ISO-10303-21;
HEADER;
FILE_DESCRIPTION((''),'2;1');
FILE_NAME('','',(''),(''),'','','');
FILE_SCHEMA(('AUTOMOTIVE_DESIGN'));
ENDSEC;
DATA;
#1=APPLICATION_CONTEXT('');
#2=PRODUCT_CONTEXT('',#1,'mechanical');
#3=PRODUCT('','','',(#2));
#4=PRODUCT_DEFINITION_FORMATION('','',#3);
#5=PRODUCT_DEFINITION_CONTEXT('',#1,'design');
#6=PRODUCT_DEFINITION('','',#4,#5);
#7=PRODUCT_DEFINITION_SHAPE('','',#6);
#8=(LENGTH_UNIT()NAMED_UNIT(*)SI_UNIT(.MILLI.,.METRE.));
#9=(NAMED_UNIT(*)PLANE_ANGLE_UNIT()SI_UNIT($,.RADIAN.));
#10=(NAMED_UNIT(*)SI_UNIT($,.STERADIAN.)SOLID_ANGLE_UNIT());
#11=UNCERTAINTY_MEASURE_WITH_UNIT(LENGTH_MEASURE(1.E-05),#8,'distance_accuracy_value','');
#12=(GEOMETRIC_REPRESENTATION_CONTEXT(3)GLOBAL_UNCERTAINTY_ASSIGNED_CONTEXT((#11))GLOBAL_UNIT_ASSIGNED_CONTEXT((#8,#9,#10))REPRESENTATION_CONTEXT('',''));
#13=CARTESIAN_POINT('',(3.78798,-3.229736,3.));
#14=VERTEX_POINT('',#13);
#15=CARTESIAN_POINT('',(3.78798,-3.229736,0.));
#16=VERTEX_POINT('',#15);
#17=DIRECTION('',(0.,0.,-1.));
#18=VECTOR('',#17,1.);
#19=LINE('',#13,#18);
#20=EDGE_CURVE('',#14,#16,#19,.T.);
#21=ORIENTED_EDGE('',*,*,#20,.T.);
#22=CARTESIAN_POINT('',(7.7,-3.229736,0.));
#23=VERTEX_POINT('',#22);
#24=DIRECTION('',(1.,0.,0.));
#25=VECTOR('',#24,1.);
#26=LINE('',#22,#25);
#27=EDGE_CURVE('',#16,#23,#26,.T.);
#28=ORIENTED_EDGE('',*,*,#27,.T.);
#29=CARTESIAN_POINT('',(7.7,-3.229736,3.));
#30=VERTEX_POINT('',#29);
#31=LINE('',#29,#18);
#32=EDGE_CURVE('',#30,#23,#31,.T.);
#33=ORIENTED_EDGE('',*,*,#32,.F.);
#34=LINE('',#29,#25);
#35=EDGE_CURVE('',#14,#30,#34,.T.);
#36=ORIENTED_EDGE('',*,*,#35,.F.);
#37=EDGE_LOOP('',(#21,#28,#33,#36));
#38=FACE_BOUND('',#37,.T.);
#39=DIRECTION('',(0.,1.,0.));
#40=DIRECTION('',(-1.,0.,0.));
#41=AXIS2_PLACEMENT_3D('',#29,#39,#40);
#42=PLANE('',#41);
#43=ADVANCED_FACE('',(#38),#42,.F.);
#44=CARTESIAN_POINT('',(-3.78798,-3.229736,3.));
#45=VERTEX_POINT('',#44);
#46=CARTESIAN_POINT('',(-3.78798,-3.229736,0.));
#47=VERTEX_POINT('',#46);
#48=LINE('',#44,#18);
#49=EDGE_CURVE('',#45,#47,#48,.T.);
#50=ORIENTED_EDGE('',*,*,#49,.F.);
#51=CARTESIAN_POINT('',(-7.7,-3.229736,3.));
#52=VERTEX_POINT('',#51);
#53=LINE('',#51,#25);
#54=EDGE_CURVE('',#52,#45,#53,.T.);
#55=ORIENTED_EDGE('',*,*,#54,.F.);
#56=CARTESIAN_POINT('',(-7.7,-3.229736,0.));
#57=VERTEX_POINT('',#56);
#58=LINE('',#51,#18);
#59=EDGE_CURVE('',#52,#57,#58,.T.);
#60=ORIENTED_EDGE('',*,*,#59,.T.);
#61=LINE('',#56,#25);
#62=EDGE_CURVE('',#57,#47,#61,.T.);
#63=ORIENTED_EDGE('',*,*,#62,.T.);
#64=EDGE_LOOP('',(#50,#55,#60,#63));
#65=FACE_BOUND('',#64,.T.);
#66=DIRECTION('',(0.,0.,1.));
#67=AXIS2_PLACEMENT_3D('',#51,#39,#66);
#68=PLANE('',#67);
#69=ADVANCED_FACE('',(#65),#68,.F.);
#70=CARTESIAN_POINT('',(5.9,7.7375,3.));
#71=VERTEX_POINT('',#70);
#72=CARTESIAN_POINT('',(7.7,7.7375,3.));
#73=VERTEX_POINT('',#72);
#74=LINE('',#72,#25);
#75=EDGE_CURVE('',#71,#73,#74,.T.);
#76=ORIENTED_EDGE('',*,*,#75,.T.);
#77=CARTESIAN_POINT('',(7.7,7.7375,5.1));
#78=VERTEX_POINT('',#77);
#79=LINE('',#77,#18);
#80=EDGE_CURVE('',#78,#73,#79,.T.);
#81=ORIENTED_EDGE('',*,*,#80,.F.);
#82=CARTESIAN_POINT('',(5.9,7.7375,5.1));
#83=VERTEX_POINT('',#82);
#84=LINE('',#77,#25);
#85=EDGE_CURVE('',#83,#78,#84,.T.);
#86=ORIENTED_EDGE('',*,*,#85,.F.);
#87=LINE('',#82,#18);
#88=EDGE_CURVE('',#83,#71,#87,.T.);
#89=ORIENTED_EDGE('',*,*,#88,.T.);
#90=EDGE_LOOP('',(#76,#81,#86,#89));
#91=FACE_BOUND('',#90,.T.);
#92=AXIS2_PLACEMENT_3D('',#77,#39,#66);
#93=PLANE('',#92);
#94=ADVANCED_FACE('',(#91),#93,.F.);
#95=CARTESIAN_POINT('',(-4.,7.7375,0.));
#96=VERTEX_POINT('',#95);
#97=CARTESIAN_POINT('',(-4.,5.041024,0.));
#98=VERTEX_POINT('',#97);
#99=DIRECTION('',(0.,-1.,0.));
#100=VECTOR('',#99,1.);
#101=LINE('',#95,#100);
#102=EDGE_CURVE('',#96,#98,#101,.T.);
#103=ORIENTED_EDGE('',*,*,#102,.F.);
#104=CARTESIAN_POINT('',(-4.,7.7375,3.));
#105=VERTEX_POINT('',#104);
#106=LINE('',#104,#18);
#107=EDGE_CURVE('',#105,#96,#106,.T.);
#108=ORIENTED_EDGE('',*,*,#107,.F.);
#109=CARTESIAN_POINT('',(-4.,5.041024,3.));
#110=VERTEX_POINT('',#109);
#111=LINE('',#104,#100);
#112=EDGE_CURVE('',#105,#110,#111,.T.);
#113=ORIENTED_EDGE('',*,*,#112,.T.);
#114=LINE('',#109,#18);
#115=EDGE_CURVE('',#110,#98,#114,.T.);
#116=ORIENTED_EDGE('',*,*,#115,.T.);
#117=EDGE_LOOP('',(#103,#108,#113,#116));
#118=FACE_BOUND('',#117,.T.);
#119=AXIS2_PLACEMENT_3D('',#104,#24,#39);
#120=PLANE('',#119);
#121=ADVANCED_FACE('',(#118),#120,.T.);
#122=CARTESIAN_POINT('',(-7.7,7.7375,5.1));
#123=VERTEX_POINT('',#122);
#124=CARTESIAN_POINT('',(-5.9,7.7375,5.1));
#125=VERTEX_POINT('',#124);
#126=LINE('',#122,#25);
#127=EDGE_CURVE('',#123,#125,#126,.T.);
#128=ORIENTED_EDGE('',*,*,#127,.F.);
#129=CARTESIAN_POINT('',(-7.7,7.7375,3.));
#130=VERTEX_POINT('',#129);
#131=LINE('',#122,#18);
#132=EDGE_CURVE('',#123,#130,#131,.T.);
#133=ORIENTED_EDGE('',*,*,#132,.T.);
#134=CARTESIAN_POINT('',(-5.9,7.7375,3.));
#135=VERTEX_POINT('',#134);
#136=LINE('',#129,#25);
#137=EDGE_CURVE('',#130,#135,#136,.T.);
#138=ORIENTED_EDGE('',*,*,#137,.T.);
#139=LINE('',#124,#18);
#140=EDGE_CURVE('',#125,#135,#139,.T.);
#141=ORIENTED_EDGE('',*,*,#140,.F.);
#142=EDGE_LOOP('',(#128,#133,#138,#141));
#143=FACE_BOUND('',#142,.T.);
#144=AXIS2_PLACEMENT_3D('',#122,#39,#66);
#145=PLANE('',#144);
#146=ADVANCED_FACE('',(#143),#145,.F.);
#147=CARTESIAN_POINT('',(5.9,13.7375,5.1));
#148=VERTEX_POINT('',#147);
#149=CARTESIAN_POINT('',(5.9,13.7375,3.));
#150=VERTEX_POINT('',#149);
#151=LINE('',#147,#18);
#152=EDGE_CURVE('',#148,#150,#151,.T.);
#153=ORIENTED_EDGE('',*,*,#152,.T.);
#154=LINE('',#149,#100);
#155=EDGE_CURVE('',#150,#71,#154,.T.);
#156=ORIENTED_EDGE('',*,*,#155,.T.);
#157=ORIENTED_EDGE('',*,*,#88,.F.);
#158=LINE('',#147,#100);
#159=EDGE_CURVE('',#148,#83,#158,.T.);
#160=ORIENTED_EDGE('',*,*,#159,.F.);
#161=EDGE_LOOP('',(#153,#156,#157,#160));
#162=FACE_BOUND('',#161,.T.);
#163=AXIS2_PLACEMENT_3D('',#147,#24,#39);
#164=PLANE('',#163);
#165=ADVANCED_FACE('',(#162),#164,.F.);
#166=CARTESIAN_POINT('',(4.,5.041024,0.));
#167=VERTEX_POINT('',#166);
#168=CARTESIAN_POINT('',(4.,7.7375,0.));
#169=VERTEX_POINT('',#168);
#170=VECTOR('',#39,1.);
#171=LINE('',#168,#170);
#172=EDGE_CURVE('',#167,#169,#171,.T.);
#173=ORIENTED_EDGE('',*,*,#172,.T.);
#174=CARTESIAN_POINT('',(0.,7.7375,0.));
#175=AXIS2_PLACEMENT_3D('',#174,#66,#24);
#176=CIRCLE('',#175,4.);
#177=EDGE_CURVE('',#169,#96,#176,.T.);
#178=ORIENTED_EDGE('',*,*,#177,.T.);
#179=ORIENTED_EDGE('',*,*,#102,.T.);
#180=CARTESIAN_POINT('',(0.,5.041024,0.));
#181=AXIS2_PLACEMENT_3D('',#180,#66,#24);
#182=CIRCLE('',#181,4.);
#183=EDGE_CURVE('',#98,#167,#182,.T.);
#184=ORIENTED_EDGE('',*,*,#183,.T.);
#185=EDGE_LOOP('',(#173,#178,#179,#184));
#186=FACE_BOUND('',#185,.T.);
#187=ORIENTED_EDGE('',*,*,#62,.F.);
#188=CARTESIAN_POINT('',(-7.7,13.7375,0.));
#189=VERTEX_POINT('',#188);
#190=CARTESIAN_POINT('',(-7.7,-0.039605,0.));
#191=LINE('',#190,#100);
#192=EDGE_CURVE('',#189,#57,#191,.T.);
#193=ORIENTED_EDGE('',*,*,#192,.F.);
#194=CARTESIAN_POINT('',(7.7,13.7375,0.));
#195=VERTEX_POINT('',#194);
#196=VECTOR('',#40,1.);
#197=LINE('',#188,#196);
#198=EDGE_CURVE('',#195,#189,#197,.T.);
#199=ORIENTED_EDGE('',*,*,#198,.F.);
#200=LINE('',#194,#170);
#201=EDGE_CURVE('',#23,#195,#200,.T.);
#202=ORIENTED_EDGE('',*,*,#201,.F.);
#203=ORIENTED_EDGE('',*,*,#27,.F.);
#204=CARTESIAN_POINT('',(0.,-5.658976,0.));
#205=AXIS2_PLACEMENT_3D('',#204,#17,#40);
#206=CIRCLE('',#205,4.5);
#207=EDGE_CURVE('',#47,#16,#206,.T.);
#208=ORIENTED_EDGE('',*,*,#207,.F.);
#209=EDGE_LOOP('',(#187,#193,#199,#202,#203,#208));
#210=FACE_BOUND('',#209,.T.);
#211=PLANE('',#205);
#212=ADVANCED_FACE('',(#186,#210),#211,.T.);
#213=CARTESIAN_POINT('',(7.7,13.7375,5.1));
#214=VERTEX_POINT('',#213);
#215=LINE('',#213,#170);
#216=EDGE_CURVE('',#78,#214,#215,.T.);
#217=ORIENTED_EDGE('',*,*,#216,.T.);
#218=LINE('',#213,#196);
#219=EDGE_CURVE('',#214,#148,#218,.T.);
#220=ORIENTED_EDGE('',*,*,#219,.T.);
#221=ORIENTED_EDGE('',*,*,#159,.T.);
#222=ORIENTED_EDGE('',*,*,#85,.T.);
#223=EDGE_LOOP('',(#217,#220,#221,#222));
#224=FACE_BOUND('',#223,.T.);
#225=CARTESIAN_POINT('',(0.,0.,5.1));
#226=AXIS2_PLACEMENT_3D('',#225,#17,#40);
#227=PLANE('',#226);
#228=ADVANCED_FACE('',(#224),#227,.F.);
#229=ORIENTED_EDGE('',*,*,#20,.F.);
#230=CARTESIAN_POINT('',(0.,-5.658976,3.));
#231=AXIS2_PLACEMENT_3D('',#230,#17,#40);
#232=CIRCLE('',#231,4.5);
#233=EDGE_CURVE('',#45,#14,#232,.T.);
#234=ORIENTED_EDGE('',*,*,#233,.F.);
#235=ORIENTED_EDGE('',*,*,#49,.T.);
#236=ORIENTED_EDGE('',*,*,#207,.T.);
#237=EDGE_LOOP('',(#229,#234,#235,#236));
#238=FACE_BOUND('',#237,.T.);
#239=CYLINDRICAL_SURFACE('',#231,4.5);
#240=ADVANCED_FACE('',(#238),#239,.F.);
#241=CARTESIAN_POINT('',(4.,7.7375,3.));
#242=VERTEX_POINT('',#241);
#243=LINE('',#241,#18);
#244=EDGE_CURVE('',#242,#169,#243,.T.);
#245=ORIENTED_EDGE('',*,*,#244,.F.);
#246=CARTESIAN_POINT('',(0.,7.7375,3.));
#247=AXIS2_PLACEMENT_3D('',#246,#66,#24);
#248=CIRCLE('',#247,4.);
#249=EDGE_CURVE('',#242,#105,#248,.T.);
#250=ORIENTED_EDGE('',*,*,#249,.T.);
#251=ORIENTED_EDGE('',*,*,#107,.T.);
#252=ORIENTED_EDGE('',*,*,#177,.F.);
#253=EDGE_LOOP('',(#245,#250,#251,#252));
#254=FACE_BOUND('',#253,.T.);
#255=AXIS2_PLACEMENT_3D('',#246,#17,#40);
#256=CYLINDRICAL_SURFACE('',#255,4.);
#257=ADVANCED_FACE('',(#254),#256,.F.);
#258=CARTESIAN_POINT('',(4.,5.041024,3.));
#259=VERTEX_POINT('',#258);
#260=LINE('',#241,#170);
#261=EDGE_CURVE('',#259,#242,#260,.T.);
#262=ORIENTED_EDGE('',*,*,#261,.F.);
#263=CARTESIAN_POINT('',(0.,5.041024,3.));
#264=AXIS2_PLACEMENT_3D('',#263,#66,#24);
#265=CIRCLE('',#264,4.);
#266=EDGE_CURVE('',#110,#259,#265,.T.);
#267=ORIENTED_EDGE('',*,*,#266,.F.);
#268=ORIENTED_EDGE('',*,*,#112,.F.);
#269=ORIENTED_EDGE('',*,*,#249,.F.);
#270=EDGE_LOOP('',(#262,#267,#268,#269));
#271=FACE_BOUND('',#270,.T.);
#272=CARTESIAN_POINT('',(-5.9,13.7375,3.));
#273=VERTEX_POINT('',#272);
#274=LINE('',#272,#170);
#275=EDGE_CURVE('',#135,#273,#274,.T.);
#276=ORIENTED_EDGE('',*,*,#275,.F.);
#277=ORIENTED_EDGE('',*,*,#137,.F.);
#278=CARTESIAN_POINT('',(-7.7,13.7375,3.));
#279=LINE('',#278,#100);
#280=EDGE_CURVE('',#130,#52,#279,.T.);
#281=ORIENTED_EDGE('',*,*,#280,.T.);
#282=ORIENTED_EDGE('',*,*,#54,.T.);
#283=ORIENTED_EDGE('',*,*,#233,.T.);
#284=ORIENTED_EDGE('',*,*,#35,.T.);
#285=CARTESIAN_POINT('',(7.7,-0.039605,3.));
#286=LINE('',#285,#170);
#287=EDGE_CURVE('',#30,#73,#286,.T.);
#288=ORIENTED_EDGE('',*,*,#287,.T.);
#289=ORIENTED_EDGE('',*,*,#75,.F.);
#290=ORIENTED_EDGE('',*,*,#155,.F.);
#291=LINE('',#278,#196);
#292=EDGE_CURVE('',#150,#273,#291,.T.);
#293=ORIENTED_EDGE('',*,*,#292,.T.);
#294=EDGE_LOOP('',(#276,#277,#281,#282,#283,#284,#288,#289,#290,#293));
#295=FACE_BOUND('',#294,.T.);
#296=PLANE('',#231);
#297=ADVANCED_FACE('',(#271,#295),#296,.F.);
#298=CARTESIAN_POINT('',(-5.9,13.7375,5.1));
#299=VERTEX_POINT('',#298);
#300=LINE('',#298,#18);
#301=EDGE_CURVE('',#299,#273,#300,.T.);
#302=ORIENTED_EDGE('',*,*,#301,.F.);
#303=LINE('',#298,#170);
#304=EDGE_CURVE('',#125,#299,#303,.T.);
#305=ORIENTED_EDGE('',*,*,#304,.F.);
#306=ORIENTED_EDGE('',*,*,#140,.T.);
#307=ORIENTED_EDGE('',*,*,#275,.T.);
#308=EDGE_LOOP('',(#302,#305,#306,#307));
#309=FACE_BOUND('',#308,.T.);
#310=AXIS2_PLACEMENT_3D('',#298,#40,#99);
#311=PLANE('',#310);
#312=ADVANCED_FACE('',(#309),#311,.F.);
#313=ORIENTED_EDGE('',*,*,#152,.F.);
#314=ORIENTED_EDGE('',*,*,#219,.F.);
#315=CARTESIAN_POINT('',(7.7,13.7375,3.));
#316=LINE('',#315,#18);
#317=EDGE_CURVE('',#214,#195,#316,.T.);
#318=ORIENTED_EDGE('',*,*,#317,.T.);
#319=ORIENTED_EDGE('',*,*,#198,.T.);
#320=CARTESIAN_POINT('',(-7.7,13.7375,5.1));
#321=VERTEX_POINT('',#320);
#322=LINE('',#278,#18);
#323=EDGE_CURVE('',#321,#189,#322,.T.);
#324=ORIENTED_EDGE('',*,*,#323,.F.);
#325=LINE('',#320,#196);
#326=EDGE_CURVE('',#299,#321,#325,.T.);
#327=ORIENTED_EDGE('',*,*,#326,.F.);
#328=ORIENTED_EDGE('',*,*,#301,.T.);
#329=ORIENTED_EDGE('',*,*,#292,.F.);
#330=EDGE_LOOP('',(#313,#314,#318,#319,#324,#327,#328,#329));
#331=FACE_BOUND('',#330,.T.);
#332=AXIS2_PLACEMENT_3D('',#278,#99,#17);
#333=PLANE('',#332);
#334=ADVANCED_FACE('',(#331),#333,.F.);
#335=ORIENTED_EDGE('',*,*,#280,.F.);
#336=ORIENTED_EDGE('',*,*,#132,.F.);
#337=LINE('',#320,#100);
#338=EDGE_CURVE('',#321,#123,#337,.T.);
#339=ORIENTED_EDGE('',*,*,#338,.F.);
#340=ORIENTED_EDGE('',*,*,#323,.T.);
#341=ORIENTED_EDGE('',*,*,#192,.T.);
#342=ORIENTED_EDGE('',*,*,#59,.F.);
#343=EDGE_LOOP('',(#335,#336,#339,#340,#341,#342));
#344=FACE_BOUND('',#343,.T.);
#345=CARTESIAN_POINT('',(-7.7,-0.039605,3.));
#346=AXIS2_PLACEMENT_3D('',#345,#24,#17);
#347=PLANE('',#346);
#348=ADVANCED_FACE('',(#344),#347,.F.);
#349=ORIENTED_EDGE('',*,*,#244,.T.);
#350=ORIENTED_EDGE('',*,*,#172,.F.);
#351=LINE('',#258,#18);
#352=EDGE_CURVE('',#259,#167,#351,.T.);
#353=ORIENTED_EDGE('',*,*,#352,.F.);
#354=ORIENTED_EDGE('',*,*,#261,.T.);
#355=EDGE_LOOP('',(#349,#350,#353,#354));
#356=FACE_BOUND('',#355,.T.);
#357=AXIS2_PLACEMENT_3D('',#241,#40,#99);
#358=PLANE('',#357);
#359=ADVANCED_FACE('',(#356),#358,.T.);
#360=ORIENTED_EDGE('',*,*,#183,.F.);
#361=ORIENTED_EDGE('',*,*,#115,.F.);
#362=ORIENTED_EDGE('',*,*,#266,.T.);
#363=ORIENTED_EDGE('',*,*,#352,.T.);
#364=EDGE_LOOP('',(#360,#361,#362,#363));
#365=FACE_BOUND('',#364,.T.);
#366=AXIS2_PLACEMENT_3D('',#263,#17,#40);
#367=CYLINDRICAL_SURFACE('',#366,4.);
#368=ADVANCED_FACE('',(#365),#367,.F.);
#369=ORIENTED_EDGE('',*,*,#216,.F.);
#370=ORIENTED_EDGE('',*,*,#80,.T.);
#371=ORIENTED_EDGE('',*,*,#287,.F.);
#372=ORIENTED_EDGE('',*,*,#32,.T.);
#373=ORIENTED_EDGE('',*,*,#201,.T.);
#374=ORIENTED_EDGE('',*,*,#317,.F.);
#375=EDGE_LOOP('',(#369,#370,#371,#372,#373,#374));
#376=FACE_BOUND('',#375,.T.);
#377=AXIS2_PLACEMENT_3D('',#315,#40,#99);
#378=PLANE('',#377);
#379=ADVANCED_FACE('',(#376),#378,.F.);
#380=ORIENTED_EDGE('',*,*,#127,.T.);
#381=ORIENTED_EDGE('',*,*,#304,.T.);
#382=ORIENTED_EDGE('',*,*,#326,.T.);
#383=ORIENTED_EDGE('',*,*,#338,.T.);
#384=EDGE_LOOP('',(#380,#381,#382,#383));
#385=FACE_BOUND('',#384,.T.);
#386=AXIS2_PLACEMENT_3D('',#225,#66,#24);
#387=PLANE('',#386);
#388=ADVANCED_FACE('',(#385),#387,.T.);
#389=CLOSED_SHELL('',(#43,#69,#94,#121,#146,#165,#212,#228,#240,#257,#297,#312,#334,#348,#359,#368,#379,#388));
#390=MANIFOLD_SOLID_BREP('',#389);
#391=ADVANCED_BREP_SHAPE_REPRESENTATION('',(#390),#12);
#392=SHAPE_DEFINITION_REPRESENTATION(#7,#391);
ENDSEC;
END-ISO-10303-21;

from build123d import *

# Parameters (mm, degrees)
EXTRUDE_1_DEPTH = 3
SKETCH_2_W      = 1.8
SKETCH_2_H      = 6
EXTRUDE_2_DEPTH = 2.1


with BuildPart() as part:
    # Эскиз1 → Бобышка-Вытянуть1 (new body)
    with BuildSketch(Plane.XY):
        with BuildLine():
            Line((-7.7, 13.737499607), (7.7, 13.737499607))
            Line((7.7, 13.737499607), (7.7, -0.039604792))
            Line((7.7, -0.039604792), (7.7, -3.229735589))
            Line((7.7, -3.229735589), (3.787979634, -3.229735589))
            ThreePointArc((3.787979634, -3.229735589), (0, -1.158976271), (-3.787979634, -3.229735589))
            Line((-3.787979634, -3.229735589), (-7.7, -3.229735589))
            Line((-7.7, -3.229735589), (-7.7, -0.039604792))
            Line((-7.7, -0.039604792), (-7.7, 13.737499607))
        make_face()
        with BuildLine():
            Line((4, 7.737499607), (4, 5.041023729))
            ThreePointArc((4, 5.041023729), (0, 1.041023729), (-4, 5.041023729))
            Line((-4, 5.041023729), (-4, 7.737499607))
            ThreePointArc((-4, 7.737499607), (0, 11.737499607), (4, 7.737499607))
        make_face(mode=Mode.SUBTRACT)
    extrude(amount=EXTRUDE_1_DEPTH)

    # Эскиз2 → Бобышка-Вытянуть2 (add)
    with BuildSketch(Plane.XY.offset(3)):
        with Locations((-6.8, 10.737499607)):
            Rectangle(SKETCH_2_W, SKETCH_2_H)
        with Locations((6.8, 10.737499607)):
            Rectangle(SKETCH_2_W, SKETCH_2_H)
    extrude(amount=EXTRUDE_2_DEPTH)


solid = part.part
